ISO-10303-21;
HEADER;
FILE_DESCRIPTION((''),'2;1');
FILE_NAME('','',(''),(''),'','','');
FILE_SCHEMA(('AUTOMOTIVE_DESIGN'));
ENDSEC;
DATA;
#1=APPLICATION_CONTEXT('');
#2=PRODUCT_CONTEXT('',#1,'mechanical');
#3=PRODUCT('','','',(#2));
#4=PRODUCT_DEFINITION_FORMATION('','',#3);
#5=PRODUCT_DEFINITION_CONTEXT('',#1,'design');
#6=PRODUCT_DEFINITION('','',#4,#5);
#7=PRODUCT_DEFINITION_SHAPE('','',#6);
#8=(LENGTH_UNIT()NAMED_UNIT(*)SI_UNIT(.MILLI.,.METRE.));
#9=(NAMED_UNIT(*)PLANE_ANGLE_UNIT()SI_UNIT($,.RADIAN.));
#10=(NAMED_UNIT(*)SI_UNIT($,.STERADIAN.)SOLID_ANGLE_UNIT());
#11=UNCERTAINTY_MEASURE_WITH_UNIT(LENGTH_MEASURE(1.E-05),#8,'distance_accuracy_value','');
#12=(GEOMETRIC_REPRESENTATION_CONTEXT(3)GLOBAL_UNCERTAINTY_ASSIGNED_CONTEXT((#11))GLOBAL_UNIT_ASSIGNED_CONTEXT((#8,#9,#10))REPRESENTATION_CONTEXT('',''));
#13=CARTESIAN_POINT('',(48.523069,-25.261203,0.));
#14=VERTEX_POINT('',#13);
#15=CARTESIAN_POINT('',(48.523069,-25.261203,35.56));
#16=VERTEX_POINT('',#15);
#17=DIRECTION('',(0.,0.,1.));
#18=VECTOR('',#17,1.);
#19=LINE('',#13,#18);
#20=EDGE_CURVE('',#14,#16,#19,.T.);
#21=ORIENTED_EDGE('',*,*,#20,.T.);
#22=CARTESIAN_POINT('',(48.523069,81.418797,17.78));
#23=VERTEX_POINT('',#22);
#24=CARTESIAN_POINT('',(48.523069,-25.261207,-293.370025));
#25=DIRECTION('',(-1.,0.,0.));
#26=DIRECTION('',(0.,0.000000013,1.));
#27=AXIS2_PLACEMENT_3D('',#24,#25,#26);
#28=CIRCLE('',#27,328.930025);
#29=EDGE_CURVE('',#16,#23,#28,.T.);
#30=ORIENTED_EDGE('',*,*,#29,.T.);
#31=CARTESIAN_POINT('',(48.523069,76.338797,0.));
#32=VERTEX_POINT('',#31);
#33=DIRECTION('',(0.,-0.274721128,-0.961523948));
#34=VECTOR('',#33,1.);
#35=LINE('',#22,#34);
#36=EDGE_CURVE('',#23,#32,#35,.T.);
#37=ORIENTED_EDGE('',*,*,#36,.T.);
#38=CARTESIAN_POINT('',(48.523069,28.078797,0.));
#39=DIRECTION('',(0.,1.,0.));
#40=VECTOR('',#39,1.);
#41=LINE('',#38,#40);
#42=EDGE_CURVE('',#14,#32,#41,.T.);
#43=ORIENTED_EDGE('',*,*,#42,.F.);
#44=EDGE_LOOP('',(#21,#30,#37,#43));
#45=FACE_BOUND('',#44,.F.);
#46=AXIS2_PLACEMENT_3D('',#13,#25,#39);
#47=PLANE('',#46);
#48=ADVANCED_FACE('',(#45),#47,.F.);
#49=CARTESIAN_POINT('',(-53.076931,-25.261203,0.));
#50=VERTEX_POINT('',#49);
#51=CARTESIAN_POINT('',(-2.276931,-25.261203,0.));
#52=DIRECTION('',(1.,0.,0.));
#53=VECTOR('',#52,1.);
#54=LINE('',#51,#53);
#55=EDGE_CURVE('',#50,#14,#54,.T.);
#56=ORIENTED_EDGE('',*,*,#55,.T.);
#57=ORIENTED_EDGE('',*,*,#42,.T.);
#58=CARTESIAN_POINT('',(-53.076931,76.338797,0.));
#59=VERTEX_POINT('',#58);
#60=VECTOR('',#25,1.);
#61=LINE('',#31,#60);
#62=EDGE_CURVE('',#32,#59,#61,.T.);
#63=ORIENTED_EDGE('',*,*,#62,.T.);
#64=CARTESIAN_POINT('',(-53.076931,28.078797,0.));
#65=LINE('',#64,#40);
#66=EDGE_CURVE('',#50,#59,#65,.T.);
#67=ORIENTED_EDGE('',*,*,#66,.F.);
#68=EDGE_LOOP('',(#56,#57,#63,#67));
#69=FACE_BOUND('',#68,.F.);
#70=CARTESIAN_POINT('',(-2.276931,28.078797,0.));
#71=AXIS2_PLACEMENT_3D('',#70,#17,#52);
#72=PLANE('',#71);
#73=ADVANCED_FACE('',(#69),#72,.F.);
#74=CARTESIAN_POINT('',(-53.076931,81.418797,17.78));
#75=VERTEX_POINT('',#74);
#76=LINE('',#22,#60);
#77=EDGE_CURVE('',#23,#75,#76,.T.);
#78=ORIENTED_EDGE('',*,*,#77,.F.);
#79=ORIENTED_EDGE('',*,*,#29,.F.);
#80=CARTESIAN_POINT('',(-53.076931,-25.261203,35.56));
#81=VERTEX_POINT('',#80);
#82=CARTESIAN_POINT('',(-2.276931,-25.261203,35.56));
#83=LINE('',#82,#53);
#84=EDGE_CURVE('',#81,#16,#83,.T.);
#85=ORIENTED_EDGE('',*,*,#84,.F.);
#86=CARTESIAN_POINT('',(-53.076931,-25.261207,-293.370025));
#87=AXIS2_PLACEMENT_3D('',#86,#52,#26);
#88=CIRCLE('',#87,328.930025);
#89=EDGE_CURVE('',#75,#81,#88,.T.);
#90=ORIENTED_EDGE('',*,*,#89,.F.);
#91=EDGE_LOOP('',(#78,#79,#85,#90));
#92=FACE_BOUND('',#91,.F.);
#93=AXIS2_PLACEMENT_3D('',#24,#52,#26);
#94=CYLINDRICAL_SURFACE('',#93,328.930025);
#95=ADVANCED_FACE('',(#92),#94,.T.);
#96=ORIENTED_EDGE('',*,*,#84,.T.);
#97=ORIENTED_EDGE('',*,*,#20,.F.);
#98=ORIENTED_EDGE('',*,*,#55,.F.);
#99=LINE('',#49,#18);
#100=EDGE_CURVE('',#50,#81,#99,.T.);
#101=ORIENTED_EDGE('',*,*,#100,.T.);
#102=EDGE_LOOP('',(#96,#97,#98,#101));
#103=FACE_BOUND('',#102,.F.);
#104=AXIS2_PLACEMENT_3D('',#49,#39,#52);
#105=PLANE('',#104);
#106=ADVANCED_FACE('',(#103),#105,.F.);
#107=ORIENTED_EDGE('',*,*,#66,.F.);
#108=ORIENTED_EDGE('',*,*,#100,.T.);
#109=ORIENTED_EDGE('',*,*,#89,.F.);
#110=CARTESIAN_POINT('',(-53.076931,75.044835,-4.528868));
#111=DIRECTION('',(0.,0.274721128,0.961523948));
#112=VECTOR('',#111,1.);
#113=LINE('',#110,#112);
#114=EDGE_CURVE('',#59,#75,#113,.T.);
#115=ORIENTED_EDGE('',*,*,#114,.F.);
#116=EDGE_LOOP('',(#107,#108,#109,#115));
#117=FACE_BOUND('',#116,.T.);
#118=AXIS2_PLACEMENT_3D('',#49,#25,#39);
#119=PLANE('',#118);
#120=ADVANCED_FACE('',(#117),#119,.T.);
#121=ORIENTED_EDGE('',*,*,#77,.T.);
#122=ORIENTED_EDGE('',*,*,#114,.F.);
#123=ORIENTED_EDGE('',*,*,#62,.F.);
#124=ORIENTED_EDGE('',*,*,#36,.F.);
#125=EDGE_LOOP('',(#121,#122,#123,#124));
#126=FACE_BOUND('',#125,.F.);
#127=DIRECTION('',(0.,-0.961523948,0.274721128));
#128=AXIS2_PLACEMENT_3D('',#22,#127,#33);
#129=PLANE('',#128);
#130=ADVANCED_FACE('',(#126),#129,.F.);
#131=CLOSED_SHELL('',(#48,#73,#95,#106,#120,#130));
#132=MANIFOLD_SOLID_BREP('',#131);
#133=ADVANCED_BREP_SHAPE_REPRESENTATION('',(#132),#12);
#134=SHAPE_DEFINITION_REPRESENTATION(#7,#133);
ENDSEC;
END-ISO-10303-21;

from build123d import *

# Parameters (mm, degrees)
F0_W     = 101.6
F0_H     = 106.68
F1_DEPTH = 35.56
F3_DEPTH = 127


with BuildPart() as f1:
    # F0 (on Top) → F1 (new body)
    with BuildSketch(Plane.XY):
        with Locations((-2.276931, 28.078797)):
            Rectangle(F0_W, F0_H)
    extrude(amount=F1_DEPTH)

    # F2 (on face) → F3 (cut)
    with BuildSketch(Plane.YZ.offset(48.523069)):
        with BuildLine():
            ThreePointArc((-25.261203, 35.56), (28.814556, 31.084553), (81.418797, 17.78))
            Line((81.418797, 17.78), (81.418797, 35.56))
            Line((81.418797, 35.56), (-25.261203, 35.56))
        make_face()
        Polygon((81.418797, 0), (81.418797, 17.78), (76.338797, 0), align=None)
    extrude(amount=-F3_DEPTH, mode=Mode.SUBTRACT)


solid = f1.part
